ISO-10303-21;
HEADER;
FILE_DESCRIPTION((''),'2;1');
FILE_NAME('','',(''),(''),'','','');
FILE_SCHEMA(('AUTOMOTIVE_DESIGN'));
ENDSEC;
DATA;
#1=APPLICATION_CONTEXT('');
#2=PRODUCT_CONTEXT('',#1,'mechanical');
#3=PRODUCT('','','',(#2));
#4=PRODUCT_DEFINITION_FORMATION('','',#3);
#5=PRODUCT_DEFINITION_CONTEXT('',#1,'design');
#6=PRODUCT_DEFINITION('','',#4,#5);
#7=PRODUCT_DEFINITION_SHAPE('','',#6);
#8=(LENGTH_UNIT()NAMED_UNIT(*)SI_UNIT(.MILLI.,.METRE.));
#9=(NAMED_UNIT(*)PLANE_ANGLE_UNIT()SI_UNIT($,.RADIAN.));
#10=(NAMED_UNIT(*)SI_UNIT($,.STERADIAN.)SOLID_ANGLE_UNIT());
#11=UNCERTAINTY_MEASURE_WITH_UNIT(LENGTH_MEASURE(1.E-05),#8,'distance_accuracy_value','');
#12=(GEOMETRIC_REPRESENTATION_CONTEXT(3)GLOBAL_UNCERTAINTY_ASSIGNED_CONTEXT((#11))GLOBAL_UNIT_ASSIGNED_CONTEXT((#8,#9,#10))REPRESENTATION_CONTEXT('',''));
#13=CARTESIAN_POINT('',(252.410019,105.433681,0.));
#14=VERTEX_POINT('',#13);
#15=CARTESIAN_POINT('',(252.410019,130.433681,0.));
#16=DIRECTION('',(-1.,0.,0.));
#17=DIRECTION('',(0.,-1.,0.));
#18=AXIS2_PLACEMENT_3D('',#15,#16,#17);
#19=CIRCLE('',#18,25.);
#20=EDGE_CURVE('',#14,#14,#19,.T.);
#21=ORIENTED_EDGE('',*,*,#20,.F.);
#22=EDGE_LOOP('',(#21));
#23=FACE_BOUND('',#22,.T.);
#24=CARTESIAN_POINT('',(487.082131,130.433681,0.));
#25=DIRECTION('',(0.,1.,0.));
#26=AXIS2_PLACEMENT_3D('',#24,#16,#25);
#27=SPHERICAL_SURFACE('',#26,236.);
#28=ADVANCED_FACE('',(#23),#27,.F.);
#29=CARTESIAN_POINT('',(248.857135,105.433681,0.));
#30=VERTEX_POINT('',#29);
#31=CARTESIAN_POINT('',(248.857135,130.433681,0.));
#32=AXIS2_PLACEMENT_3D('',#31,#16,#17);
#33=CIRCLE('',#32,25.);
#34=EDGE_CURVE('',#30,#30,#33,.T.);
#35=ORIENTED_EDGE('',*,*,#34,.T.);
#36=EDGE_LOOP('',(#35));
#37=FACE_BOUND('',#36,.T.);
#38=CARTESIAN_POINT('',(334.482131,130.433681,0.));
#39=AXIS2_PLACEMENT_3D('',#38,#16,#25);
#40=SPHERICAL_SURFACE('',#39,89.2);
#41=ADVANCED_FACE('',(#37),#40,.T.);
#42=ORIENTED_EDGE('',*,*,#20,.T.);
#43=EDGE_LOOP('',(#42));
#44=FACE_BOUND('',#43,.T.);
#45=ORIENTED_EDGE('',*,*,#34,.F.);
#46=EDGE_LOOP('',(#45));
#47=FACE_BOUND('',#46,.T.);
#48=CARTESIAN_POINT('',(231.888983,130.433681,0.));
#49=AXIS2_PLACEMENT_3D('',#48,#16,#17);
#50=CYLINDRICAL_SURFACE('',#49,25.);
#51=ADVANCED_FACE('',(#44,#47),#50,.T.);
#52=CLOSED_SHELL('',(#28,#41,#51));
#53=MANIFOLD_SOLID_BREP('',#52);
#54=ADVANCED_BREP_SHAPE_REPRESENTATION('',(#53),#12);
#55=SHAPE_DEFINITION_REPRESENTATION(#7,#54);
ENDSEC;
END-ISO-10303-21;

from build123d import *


with BuildPart() as part:
    # 草图1 → 旋转1 (revolve)
    with BuildSketch(Plane.XY):
        with BuildLine():
            Line((248.857134771, 155.433680942), (252.410019442, 155.433680942))
            ThreePointArc((252.410019442, 155.433680942), (251.414337017, 142.951301397), (251.082131121, 130.433680942))
            Line((251.082131121, 130.433680942), (245.282131121, 130.433680942))
            ThreePointArc((245.282131121, 130.433680942), (246.180404993, 143.060840669), (248.857134771, 155.433680942))
        make_face()
    revolve(axis=Axis((231.888982596, 130.433680942, 0), (1, 0, 0)))


solid = part.part
